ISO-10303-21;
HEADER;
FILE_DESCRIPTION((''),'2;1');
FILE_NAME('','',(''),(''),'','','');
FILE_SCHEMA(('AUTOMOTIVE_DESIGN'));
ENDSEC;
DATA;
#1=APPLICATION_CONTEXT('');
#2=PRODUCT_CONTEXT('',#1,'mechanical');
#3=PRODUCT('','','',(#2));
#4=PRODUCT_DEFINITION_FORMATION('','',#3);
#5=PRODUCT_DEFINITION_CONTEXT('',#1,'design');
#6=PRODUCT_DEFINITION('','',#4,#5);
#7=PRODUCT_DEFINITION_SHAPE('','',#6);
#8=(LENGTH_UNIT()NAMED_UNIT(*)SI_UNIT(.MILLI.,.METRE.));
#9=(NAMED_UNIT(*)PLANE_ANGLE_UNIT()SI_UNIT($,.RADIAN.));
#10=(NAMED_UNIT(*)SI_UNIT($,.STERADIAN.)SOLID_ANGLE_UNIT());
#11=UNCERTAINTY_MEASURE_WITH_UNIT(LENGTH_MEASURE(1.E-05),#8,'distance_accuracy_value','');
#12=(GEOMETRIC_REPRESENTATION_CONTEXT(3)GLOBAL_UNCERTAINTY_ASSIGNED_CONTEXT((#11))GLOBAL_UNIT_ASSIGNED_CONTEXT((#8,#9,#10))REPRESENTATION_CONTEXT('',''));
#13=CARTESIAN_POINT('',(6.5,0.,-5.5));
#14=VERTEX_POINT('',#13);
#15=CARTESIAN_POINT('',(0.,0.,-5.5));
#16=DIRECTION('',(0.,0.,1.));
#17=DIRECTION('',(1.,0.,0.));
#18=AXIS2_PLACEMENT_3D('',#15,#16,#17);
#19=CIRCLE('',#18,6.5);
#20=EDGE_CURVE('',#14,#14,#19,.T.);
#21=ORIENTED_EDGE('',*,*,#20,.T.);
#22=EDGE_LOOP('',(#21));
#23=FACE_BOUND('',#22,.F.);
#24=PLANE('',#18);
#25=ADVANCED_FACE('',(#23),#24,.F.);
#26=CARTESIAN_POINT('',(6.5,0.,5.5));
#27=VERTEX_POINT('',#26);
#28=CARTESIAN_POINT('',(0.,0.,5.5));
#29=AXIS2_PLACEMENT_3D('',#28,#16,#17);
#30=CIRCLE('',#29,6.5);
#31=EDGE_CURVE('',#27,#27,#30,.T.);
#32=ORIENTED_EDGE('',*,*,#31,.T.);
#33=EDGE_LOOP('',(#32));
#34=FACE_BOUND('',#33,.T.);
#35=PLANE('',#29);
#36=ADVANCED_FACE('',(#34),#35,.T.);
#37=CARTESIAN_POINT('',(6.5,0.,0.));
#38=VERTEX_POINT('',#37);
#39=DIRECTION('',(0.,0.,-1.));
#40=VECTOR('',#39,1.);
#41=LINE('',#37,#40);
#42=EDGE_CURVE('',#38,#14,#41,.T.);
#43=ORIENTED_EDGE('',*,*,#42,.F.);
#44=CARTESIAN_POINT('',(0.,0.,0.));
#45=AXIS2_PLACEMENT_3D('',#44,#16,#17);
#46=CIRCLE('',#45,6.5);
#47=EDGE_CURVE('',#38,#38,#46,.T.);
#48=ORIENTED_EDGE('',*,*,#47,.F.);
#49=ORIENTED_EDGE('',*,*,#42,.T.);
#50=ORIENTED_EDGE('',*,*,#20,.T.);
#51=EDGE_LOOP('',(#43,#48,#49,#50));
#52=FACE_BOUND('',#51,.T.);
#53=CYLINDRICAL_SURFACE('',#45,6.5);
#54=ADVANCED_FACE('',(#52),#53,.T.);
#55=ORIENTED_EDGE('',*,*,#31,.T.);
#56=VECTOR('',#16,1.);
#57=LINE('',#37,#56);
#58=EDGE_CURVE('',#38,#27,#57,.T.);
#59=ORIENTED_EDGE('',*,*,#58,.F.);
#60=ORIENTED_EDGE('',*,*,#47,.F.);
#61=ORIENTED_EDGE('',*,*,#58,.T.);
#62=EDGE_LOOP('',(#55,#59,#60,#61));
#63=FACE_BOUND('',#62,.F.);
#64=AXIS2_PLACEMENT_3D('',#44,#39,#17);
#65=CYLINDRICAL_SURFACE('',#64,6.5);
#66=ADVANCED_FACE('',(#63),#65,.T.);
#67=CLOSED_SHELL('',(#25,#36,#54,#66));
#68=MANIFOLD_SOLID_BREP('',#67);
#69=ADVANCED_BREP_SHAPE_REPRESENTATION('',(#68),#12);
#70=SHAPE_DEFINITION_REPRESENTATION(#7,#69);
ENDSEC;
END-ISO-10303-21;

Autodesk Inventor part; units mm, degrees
ref_plane "YZ Plane" through (0, 0, 0) normal (1, 0, 0) x (0, 1, 0)
ref_plane "XZ Plane" through (0, 0, 0) normal (0, 1, 0) x (-1, 0, 0)
ref_plane "XY Plane" through (0, 0, 0) normal (0, 0, 1) x (1, 0, 0)
sketch "Hauptskizze" plane through (0, 0, 0) normal (0, 0, 1) x (1, 0, 0)
  circle A0 centre (0, 0) radius 6.5
  dimension "d0" = 13
extrude "Riemenscheibe" add sketch "Hauptskizze" along normal mid plane 11
equation "\"d0\" = da_D"
equation "\"d1\" = da_B"
equation "\"da_D\" = 13"
equation "\"da_B\" = 11"
properties part number "Flache Riemenscheibe2" material "Steel"
